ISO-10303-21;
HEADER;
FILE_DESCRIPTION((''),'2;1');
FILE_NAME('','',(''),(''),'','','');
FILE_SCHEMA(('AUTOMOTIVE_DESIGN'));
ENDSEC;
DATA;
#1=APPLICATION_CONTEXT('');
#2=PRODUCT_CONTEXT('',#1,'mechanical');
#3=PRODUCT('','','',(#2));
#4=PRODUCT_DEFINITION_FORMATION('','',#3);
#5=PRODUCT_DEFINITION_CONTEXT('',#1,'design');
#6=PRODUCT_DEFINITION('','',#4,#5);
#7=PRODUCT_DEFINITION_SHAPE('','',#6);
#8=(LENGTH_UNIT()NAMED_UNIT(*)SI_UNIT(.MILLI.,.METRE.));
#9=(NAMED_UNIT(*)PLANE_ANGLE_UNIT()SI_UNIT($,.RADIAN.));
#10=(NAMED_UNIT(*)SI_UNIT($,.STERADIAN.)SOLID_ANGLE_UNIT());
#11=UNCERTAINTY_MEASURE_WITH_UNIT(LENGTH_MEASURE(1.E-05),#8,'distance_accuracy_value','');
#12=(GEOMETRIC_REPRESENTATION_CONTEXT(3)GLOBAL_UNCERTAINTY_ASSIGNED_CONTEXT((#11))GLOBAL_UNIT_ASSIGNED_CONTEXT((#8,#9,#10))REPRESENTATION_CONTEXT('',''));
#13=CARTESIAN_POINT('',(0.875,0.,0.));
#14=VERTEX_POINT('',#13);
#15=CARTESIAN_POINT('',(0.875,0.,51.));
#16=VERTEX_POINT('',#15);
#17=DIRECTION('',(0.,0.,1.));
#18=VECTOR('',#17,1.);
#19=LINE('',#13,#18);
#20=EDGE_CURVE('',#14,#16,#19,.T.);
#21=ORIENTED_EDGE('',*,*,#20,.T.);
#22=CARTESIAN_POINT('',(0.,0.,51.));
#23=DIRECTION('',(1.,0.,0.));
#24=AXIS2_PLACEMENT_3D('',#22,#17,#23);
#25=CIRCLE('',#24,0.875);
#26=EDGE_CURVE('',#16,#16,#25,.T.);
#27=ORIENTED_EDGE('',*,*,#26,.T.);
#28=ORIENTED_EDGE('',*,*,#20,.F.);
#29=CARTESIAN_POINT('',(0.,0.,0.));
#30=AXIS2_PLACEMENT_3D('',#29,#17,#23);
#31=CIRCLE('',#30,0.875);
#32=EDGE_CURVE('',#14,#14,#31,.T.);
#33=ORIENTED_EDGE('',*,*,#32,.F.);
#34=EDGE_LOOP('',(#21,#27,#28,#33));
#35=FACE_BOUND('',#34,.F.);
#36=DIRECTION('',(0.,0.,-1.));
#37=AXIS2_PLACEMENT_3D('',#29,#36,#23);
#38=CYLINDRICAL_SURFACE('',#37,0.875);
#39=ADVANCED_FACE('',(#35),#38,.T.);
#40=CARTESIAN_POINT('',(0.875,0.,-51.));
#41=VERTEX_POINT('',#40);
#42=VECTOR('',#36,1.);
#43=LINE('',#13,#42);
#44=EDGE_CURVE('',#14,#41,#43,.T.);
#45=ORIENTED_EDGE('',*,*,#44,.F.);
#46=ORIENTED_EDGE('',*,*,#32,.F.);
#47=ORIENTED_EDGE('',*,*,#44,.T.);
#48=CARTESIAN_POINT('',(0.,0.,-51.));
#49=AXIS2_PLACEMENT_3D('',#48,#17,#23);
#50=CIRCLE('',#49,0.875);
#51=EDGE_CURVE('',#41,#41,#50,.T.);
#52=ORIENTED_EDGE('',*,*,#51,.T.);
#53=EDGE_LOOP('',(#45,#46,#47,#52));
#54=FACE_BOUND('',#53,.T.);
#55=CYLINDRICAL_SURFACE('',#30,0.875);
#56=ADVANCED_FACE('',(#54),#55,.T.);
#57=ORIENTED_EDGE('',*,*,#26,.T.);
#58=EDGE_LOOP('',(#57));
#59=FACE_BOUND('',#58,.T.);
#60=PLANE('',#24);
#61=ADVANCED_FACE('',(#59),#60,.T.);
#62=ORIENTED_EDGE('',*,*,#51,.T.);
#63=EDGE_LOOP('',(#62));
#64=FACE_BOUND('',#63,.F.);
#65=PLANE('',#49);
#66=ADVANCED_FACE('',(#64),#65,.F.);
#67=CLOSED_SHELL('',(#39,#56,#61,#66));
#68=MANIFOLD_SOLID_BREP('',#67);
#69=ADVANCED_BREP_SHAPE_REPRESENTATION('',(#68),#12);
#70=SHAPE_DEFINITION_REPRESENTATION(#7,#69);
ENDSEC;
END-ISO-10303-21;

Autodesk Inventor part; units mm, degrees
ref_plane "YZ Plane" through (0, 0, 0) normal (1, 0, 0) x (0, 1, 0)
ref_plane "XZ Plane" through (0, 0, 0) normal (0, 1, 0) x (-1, 0, 0)
ref_plane "XY Plane" through (0, 0, 0) normal (0, 0, 1) x (1, 0, 0)
sketch "Эскиз1" plane through (0, 0, 0) normal (0, 0, 1) x (1, 0, 0)
  circle A0 centre (0, 0) radius 0.875
  dimension "d0" = 1.75
extrude "Выдавливание1" add sketch "Эскиз1" along normal mid plane 102
properties part number "1,75"
